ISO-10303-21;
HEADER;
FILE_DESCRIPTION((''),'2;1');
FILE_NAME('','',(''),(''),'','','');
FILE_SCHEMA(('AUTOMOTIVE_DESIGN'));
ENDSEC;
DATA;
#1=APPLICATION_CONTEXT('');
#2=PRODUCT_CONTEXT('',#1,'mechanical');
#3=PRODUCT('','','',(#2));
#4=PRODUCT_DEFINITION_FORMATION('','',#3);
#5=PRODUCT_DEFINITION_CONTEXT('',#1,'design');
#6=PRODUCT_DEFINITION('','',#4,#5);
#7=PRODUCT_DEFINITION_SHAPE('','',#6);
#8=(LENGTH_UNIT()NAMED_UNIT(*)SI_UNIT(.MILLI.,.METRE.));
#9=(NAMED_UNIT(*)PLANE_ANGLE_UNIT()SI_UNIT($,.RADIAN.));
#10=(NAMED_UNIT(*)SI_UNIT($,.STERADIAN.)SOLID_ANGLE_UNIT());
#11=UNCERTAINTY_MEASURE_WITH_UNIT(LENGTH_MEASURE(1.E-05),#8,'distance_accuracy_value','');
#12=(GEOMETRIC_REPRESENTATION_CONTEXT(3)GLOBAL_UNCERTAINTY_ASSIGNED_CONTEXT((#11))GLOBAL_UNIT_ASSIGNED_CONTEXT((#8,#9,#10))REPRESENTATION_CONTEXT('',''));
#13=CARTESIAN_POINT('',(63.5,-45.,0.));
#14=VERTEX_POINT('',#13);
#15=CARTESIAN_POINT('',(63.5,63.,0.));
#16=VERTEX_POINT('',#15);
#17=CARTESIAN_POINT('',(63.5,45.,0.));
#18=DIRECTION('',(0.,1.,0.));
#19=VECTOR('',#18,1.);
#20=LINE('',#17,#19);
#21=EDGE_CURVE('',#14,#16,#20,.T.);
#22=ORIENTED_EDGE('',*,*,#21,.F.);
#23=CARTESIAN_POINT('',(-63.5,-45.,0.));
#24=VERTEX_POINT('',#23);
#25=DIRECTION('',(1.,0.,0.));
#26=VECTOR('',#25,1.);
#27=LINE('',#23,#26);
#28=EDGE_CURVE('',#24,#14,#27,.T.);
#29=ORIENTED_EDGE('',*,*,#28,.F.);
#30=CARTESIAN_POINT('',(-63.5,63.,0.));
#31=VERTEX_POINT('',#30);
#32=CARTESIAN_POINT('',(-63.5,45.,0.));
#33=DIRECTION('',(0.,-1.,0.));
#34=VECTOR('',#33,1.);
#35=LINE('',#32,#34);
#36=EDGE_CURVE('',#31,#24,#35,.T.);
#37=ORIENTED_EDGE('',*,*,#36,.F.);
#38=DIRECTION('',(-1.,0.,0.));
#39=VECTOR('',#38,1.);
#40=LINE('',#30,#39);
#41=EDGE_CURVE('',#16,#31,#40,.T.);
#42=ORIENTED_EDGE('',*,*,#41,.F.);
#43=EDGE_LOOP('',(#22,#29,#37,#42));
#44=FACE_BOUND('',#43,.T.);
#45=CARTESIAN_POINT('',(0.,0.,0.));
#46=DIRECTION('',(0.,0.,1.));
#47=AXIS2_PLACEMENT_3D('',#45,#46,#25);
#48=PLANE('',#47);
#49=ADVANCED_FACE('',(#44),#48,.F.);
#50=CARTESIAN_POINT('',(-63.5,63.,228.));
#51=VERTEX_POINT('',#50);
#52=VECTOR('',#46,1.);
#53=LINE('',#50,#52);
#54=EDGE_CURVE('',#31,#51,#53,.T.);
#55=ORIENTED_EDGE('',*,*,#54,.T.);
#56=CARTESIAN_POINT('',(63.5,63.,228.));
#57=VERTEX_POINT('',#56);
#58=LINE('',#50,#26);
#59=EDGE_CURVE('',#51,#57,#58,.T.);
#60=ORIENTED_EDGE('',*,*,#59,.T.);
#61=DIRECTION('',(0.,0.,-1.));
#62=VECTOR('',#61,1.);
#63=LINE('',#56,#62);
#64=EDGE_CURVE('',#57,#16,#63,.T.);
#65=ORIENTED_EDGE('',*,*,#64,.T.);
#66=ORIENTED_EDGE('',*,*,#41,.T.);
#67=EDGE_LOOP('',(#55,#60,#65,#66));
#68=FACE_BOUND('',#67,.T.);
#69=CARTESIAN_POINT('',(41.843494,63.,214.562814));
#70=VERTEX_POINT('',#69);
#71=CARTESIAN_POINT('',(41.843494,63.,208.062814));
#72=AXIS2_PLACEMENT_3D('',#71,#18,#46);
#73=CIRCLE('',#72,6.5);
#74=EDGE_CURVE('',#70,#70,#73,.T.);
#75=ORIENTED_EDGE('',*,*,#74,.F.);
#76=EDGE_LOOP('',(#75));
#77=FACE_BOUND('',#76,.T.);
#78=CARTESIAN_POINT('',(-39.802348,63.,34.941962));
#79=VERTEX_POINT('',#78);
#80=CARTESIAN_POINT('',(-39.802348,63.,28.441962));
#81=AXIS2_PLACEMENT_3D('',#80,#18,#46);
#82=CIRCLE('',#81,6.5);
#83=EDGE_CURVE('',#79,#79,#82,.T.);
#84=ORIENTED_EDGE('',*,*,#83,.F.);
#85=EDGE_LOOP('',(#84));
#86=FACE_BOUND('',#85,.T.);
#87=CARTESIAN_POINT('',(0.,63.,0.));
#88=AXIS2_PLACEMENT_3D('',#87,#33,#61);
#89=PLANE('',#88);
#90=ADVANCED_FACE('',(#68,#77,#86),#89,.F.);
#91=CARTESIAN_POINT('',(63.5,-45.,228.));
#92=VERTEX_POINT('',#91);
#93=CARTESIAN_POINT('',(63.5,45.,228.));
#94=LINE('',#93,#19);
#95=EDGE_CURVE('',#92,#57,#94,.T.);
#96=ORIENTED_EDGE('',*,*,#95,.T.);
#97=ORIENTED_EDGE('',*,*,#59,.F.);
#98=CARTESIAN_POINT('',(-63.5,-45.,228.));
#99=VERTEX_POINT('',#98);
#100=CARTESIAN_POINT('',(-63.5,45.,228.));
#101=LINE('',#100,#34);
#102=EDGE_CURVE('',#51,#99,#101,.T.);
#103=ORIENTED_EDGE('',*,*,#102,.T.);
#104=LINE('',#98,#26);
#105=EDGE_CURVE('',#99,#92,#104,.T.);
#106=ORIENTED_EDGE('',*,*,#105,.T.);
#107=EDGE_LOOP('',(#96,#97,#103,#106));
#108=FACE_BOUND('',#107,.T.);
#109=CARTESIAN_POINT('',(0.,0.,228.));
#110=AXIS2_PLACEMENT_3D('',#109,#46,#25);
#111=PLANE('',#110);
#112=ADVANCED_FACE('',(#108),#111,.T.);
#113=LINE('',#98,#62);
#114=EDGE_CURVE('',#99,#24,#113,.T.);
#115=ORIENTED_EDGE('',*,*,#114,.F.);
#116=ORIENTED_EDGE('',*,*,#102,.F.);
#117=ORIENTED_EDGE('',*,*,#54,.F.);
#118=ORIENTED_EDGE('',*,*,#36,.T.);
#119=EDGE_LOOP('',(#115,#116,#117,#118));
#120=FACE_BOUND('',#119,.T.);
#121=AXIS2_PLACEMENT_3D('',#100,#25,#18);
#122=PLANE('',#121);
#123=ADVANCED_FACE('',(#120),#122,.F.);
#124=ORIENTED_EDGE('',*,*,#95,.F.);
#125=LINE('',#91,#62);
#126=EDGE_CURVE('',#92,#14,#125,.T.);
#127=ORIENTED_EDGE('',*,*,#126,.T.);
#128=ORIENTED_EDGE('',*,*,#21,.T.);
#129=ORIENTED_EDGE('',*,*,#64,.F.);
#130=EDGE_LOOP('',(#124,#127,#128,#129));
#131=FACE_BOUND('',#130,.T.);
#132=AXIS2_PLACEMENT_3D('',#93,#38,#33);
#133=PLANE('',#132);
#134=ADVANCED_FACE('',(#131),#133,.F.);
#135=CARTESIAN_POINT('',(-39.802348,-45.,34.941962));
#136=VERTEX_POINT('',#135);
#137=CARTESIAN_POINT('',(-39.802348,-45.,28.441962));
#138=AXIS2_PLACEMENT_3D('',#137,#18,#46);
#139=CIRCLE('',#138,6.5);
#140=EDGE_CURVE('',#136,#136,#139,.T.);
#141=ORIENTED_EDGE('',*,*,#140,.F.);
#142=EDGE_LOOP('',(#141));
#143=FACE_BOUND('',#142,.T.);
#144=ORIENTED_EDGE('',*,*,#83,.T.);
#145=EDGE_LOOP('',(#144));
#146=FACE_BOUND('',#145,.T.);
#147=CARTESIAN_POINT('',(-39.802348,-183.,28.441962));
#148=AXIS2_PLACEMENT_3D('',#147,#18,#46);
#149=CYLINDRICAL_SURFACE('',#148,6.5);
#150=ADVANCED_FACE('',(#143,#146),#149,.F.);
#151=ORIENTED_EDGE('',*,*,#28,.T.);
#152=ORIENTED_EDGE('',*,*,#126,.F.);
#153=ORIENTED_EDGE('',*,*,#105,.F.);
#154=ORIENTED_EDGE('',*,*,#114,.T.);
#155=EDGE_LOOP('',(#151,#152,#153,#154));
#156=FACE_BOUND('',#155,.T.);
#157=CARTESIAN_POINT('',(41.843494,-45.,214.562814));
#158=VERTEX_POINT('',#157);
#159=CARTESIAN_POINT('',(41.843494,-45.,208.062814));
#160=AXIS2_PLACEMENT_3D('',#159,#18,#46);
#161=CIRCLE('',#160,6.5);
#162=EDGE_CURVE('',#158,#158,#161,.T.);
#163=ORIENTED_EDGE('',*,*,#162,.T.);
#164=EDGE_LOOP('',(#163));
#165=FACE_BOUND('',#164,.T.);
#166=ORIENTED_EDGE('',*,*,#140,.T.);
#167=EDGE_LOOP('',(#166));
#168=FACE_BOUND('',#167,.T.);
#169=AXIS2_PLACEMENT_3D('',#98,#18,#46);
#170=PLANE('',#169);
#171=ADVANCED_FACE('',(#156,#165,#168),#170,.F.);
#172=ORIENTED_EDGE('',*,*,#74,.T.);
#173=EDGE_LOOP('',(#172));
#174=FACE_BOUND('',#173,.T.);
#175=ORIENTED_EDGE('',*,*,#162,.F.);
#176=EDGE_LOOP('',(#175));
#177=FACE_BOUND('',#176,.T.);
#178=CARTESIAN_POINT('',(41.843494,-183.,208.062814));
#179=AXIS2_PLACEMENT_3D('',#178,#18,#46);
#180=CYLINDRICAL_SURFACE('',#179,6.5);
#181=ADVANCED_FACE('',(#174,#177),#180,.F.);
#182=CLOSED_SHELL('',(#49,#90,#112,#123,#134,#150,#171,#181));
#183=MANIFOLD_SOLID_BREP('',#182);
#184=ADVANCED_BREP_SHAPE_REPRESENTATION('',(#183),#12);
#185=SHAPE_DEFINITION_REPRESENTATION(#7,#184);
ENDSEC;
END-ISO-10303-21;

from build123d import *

# Parameters (mm, degrees)
SKETCH1_W           = 127
SKETCH1_H           = 90
BOSS_EXTRUDE1_DEPTH = 228
SKETCH2_R           = 6.5
CUT_EXTRUDE1_DEPTH  = 228
SKETCH3_W           = 127
SKETCH3_H           = 228
SKETCH3_R           = 6.5
BOSS_EXTRUDE2_DEPTH = 18


with BuildPart() as part:
    # Sketch1 → Boss-Extrude1 (new body)
    with BuildSketch(Plane.XY):
        Rectangle(SKETCH1_W, SKETCH1_H)
    extrude(amount=BOSS_EXTRUDE1_DEPTH)

    # Sketch2 → Cut-Extrude1 (cut)
    with BuildSketch(Plane(origin=(0, 45, 0), x_dir=(1, 0, 0), z_dir=(0, 1, 0))):
        with Locations((-39.802347905, -28.441961554)):
            Circle(SKETCH2_R)
        with Locations((41.843493952, -208.06281364)):
            Circle(SKETCH2_R)
    extrude(amount=-CUT_EXTRUDE1_DEPTH, mode=Mode.SUBTRACT)

    # Sketch3 → Boss-Extrude2 (add)
    with BuildSketch(Plane(origin=(0, 45, 0), x_dir=(1, 0, 0), z_dir=(0, 1, 0))):
        with Locations((0, -114)):
            Rectangle(SKETCH3_W, SKETCH3_H)
        with Locations((-39.802347905, -28.441961554)):
            Circle(SKETCH3_R, mode=Mode.SUBTRACT)
        with Locations((41.843493952, -208.06281364)):
            Circle(SKETCH3_R, mode=Mode.SUBTRACT)
    extrude(amount=BOSS_EXTRUDE2_DEPTH)


solid = part.part
